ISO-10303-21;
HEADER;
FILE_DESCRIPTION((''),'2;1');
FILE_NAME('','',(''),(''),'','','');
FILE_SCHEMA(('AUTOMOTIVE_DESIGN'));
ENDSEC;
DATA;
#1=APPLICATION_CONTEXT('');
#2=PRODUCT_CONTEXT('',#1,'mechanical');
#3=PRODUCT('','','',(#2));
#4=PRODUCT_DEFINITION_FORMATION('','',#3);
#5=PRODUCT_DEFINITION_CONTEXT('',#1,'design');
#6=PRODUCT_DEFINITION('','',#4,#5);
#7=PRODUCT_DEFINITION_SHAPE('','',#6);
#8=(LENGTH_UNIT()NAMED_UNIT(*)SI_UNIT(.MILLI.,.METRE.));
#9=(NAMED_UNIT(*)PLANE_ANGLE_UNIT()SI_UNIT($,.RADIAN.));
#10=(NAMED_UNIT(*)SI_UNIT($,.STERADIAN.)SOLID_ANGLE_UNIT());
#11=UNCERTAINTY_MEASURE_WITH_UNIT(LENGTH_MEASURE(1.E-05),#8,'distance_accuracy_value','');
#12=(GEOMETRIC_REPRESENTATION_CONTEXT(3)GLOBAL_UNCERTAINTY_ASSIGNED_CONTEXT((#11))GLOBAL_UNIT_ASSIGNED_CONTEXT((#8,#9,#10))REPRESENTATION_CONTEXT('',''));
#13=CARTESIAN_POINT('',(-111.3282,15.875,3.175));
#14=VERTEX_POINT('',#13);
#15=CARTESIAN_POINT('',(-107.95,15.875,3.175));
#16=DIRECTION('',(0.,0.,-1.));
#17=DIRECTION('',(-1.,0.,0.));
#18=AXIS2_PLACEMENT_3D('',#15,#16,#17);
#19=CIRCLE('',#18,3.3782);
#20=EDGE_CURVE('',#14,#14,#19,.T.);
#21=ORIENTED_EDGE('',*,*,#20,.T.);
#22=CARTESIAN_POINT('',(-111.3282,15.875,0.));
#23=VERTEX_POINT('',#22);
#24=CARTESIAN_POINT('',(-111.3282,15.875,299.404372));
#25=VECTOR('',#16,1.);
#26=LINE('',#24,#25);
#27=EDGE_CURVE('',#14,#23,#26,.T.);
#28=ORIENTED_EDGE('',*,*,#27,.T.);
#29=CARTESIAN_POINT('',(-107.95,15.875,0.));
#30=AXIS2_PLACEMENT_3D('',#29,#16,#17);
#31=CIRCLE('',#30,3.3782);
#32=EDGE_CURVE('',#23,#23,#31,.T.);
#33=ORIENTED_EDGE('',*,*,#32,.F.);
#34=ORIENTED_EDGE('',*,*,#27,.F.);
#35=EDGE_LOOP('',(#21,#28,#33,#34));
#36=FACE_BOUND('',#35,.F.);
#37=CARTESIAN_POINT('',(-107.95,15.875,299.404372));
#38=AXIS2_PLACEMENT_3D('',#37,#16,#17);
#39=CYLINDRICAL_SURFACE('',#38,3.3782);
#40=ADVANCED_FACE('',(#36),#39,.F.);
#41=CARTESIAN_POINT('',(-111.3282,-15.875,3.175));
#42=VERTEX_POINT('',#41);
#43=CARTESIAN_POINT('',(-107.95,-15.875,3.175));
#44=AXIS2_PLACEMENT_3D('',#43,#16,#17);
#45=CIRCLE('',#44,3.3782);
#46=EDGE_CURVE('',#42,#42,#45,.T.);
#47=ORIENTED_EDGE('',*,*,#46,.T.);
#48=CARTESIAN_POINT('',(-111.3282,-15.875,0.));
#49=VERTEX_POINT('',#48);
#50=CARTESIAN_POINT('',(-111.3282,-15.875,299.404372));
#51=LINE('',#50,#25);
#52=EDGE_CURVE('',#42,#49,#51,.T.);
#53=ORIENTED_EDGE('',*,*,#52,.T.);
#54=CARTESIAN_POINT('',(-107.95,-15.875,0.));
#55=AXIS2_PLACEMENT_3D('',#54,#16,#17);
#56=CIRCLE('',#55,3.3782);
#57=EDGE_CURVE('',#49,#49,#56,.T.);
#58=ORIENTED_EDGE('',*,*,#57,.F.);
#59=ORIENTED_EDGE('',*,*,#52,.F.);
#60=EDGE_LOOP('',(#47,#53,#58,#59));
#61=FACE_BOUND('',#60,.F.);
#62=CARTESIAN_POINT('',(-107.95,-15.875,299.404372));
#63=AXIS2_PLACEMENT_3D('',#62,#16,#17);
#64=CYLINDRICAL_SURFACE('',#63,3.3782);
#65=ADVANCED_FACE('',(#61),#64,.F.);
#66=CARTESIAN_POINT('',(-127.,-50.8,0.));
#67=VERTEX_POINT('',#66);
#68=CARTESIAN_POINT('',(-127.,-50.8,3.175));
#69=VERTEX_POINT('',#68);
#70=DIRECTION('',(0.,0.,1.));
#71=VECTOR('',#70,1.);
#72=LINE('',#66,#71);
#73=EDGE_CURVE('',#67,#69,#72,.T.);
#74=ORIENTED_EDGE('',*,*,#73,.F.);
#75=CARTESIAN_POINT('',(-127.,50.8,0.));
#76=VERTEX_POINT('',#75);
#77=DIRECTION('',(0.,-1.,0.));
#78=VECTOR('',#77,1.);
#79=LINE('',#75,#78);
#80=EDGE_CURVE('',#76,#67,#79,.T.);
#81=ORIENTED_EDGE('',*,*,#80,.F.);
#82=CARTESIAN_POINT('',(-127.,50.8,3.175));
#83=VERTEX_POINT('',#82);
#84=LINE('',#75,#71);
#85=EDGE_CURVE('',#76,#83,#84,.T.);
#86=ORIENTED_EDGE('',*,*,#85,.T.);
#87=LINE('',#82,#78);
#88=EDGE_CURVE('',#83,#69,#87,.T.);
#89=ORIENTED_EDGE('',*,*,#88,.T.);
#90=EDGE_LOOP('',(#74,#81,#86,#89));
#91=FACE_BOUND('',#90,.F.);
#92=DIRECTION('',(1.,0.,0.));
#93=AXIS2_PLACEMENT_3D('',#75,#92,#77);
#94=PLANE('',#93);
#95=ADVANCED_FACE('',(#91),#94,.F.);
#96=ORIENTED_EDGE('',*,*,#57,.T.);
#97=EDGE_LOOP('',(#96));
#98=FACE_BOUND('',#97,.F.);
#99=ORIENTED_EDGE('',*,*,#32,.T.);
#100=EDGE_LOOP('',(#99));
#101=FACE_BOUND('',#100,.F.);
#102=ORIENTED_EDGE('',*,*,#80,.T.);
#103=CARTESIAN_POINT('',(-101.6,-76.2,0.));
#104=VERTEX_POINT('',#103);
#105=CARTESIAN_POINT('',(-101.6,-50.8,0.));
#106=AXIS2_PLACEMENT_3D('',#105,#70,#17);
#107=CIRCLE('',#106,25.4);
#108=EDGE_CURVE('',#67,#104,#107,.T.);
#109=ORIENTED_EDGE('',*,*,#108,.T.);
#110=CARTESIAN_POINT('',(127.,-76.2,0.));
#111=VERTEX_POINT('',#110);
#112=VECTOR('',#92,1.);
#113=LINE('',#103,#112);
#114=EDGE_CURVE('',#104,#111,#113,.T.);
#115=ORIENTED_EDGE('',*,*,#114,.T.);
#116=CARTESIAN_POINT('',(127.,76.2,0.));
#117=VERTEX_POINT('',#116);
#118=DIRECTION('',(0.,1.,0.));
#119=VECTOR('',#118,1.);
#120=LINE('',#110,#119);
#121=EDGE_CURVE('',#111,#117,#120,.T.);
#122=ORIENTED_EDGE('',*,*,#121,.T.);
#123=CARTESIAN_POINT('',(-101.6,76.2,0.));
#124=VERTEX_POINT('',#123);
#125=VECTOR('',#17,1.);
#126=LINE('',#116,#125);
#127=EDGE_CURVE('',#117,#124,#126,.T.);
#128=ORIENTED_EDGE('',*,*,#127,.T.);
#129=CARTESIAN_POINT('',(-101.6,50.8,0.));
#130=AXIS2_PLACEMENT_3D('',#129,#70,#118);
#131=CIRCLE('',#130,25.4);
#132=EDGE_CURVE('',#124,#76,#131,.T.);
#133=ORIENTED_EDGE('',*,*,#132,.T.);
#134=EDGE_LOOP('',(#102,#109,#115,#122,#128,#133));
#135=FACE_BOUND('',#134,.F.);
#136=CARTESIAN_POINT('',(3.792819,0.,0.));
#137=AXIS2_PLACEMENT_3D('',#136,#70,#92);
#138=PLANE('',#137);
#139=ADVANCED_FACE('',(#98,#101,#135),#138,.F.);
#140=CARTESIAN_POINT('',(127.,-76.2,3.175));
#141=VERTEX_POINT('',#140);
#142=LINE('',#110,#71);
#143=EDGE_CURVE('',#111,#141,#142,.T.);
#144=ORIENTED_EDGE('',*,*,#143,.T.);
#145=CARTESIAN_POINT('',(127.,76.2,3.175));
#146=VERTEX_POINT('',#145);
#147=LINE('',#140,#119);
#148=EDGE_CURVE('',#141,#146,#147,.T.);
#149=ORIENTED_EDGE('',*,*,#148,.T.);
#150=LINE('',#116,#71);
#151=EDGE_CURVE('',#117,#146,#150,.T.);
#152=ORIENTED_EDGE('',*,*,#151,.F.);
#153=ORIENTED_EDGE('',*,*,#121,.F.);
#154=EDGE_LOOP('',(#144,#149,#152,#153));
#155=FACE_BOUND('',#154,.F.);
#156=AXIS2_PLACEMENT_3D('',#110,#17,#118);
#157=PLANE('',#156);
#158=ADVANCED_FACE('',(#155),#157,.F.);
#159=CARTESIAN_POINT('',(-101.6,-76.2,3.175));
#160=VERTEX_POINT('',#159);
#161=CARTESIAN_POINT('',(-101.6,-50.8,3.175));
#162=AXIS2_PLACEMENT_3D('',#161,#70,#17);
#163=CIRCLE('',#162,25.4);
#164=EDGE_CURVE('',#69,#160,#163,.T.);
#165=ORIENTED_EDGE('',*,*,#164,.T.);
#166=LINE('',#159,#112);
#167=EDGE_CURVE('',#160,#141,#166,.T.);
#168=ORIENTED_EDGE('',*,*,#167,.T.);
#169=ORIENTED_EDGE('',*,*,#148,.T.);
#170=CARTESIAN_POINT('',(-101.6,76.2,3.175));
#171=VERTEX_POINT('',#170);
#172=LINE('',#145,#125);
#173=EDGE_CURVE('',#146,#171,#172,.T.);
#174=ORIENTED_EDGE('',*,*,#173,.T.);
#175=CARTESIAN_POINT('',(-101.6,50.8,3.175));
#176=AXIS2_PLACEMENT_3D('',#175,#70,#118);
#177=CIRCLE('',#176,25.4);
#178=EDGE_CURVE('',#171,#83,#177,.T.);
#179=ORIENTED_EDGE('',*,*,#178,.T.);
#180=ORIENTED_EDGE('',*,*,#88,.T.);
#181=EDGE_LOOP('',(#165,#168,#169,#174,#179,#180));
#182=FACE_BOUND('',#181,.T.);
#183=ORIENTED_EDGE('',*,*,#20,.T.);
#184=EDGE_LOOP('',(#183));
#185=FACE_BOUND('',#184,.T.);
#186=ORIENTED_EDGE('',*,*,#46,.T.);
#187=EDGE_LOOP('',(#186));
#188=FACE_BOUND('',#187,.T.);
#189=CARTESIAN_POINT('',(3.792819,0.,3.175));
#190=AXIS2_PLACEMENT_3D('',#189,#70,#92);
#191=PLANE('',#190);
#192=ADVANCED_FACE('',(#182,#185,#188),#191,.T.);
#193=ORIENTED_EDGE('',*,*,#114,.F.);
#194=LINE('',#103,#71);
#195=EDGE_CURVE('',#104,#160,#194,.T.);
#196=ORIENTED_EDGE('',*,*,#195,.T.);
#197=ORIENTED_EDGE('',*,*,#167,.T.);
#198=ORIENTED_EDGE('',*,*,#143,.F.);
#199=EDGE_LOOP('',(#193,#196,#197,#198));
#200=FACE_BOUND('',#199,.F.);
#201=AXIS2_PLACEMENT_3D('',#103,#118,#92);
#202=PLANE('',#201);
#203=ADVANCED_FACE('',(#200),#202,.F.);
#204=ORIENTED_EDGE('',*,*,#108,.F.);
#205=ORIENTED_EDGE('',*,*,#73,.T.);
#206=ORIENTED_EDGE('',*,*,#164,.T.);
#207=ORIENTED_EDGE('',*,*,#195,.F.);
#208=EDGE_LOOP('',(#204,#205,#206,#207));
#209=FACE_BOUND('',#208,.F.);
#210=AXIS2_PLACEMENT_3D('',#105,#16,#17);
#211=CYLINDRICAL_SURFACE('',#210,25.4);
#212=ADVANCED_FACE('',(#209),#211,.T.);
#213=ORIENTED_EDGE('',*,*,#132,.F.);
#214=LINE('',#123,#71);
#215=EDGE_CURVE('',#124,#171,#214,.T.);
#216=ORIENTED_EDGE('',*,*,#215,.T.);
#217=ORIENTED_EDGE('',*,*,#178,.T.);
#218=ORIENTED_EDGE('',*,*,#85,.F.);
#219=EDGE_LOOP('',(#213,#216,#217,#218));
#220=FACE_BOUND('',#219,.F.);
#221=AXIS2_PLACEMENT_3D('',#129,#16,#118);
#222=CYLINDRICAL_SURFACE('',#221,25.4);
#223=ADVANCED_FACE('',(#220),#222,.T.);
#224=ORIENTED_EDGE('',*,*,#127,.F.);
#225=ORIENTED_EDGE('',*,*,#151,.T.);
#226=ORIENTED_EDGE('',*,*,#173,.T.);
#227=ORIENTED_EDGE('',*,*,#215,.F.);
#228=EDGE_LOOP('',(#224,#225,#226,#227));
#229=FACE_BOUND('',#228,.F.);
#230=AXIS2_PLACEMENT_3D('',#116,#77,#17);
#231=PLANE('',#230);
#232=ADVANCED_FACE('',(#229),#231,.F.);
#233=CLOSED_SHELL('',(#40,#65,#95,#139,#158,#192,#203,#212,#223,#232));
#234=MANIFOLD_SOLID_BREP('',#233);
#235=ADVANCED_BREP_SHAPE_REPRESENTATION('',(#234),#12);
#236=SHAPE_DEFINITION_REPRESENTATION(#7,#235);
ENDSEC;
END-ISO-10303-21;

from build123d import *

# Parameters (mm, degrees)
F1_DEPTH = 3.175
F3_D     = 6.7564


with BuildPart() as f1:
    # F0 (on Top) → F1 (new body)
    with BuildSketch(Plane.XY):
        with BuildLine():
            Line((127, 76.2), (-101.6, 76.2))
            ThreePointArc((-101.6, 76.2), (-119.5605122421, 68.7605122421), (-127, 50.8))
            Line((-127, 50.8), (-127, -50.8))
            ThreePointArc((-127, -50.8), (-119.5605122421, -68.7605122421), (-101.6, -76.2))
            Line((-101.6, -76.2), (127, -76.2))
            Line((127, -76.2), (127, 76.2))
        make_face()
    extrude(amount=F1_DEPTH)

    # F3 (through all)
    with Locations(Plane.XY.offset(3.175)):
        with Locations((-107.95, 15.875), (-107.95, -15.875)):
            Hole(F3_D / 2)


solid = f1.part
